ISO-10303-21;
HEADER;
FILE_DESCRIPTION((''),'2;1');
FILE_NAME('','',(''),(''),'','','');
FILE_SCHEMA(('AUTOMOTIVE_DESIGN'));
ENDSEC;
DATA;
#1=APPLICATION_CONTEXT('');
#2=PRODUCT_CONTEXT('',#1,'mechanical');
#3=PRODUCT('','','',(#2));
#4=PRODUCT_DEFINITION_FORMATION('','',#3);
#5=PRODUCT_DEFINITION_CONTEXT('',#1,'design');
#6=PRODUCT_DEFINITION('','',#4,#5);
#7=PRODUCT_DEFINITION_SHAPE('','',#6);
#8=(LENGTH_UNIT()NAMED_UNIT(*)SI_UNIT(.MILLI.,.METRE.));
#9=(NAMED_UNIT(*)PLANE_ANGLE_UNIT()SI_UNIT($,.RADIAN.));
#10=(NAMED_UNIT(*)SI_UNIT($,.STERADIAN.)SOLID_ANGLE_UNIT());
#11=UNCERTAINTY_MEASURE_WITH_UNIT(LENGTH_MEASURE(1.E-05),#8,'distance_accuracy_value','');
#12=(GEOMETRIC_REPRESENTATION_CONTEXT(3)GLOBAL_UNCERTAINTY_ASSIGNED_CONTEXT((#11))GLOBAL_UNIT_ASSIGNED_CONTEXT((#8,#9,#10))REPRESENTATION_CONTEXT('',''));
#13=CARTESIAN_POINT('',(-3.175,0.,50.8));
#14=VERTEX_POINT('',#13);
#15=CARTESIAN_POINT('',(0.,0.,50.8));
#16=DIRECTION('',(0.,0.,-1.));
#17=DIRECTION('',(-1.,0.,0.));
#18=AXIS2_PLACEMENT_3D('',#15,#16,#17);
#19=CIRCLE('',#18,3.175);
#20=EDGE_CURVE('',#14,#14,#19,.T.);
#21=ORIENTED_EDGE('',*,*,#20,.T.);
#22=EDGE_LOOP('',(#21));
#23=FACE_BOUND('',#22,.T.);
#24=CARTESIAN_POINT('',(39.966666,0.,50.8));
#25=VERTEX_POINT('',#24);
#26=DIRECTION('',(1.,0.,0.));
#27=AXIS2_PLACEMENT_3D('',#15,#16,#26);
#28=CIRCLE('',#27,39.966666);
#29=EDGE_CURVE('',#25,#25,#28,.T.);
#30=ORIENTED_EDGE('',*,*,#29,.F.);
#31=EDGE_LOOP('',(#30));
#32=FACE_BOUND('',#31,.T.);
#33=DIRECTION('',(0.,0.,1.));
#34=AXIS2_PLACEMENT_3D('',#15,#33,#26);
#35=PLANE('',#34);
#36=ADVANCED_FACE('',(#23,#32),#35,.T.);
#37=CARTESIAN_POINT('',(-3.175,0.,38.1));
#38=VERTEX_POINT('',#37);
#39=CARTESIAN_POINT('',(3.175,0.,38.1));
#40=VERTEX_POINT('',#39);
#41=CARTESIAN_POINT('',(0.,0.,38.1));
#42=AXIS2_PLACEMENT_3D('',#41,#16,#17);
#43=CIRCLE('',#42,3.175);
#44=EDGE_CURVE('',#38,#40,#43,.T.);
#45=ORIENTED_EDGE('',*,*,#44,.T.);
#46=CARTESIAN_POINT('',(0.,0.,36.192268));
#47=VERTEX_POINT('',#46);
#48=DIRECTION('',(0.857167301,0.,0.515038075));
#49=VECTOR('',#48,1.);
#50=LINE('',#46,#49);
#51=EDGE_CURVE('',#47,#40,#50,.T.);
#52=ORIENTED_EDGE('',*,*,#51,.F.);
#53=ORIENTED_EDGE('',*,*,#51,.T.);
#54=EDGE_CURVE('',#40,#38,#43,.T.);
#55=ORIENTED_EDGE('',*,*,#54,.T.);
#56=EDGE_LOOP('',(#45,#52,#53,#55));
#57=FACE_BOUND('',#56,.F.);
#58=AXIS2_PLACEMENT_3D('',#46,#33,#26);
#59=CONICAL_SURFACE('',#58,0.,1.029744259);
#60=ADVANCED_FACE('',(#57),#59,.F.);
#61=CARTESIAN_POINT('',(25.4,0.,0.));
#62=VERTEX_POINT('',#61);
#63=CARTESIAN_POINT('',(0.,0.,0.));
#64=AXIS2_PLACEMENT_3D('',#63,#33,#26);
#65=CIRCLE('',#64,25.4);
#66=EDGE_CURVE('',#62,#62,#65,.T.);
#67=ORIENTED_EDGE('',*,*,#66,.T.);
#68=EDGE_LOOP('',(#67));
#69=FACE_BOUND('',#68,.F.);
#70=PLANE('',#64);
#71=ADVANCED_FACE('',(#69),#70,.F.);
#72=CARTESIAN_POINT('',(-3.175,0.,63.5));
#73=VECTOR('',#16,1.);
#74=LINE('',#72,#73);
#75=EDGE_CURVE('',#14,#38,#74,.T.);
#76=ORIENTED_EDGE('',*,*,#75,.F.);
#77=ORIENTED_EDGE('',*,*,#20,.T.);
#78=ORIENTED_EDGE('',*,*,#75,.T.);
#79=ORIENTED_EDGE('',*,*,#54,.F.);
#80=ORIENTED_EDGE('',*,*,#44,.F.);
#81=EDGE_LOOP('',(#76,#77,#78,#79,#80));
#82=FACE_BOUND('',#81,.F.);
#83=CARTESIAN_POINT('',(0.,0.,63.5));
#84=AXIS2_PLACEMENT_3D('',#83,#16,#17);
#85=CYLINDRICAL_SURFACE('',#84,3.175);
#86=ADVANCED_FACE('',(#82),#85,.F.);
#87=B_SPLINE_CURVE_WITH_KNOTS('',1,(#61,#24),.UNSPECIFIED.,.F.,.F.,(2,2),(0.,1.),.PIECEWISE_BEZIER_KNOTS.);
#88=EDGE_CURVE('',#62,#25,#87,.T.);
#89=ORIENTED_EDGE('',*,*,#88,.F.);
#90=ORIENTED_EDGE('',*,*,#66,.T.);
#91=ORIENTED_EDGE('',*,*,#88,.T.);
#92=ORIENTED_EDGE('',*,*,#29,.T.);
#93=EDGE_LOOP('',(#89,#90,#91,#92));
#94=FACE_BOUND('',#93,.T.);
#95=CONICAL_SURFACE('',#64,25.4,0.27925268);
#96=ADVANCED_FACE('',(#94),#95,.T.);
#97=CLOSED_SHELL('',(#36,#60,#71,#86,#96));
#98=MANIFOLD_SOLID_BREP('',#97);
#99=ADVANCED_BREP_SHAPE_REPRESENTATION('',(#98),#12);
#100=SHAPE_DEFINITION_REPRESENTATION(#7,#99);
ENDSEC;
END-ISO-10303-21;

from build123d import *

# Parameters (mm, degrees)
F0_R     = 25.4
F1_DEPTH = 50.8
F1_TAPER = -16
F3_D     = 6.35
F3_DEPTH = 12.7
F3_TIP   = 1.9077324654


with BuildPart() as f1:
    # F0 (on Top) → F1 (new body)
    with BuildSketch(Plane.XY):
        Circle(F0_R)
    extrude(amount=F1_DEPTH, taper=F1_TAPER)

    # F3
    with Locations(Plane.XY.offset(50.8)):
        with Locations((0, 0)):
            Hole(F3_D / 2, depth=F3_DEPTH)
            with Locations((0, 0, -(F3_DEPTH + F3_TIP / 2))):  # 118° drill point
                Cone(0, F3_D / 2, F3_TIP, mode=Mode.SUBTRACT)


solid = f1.part
